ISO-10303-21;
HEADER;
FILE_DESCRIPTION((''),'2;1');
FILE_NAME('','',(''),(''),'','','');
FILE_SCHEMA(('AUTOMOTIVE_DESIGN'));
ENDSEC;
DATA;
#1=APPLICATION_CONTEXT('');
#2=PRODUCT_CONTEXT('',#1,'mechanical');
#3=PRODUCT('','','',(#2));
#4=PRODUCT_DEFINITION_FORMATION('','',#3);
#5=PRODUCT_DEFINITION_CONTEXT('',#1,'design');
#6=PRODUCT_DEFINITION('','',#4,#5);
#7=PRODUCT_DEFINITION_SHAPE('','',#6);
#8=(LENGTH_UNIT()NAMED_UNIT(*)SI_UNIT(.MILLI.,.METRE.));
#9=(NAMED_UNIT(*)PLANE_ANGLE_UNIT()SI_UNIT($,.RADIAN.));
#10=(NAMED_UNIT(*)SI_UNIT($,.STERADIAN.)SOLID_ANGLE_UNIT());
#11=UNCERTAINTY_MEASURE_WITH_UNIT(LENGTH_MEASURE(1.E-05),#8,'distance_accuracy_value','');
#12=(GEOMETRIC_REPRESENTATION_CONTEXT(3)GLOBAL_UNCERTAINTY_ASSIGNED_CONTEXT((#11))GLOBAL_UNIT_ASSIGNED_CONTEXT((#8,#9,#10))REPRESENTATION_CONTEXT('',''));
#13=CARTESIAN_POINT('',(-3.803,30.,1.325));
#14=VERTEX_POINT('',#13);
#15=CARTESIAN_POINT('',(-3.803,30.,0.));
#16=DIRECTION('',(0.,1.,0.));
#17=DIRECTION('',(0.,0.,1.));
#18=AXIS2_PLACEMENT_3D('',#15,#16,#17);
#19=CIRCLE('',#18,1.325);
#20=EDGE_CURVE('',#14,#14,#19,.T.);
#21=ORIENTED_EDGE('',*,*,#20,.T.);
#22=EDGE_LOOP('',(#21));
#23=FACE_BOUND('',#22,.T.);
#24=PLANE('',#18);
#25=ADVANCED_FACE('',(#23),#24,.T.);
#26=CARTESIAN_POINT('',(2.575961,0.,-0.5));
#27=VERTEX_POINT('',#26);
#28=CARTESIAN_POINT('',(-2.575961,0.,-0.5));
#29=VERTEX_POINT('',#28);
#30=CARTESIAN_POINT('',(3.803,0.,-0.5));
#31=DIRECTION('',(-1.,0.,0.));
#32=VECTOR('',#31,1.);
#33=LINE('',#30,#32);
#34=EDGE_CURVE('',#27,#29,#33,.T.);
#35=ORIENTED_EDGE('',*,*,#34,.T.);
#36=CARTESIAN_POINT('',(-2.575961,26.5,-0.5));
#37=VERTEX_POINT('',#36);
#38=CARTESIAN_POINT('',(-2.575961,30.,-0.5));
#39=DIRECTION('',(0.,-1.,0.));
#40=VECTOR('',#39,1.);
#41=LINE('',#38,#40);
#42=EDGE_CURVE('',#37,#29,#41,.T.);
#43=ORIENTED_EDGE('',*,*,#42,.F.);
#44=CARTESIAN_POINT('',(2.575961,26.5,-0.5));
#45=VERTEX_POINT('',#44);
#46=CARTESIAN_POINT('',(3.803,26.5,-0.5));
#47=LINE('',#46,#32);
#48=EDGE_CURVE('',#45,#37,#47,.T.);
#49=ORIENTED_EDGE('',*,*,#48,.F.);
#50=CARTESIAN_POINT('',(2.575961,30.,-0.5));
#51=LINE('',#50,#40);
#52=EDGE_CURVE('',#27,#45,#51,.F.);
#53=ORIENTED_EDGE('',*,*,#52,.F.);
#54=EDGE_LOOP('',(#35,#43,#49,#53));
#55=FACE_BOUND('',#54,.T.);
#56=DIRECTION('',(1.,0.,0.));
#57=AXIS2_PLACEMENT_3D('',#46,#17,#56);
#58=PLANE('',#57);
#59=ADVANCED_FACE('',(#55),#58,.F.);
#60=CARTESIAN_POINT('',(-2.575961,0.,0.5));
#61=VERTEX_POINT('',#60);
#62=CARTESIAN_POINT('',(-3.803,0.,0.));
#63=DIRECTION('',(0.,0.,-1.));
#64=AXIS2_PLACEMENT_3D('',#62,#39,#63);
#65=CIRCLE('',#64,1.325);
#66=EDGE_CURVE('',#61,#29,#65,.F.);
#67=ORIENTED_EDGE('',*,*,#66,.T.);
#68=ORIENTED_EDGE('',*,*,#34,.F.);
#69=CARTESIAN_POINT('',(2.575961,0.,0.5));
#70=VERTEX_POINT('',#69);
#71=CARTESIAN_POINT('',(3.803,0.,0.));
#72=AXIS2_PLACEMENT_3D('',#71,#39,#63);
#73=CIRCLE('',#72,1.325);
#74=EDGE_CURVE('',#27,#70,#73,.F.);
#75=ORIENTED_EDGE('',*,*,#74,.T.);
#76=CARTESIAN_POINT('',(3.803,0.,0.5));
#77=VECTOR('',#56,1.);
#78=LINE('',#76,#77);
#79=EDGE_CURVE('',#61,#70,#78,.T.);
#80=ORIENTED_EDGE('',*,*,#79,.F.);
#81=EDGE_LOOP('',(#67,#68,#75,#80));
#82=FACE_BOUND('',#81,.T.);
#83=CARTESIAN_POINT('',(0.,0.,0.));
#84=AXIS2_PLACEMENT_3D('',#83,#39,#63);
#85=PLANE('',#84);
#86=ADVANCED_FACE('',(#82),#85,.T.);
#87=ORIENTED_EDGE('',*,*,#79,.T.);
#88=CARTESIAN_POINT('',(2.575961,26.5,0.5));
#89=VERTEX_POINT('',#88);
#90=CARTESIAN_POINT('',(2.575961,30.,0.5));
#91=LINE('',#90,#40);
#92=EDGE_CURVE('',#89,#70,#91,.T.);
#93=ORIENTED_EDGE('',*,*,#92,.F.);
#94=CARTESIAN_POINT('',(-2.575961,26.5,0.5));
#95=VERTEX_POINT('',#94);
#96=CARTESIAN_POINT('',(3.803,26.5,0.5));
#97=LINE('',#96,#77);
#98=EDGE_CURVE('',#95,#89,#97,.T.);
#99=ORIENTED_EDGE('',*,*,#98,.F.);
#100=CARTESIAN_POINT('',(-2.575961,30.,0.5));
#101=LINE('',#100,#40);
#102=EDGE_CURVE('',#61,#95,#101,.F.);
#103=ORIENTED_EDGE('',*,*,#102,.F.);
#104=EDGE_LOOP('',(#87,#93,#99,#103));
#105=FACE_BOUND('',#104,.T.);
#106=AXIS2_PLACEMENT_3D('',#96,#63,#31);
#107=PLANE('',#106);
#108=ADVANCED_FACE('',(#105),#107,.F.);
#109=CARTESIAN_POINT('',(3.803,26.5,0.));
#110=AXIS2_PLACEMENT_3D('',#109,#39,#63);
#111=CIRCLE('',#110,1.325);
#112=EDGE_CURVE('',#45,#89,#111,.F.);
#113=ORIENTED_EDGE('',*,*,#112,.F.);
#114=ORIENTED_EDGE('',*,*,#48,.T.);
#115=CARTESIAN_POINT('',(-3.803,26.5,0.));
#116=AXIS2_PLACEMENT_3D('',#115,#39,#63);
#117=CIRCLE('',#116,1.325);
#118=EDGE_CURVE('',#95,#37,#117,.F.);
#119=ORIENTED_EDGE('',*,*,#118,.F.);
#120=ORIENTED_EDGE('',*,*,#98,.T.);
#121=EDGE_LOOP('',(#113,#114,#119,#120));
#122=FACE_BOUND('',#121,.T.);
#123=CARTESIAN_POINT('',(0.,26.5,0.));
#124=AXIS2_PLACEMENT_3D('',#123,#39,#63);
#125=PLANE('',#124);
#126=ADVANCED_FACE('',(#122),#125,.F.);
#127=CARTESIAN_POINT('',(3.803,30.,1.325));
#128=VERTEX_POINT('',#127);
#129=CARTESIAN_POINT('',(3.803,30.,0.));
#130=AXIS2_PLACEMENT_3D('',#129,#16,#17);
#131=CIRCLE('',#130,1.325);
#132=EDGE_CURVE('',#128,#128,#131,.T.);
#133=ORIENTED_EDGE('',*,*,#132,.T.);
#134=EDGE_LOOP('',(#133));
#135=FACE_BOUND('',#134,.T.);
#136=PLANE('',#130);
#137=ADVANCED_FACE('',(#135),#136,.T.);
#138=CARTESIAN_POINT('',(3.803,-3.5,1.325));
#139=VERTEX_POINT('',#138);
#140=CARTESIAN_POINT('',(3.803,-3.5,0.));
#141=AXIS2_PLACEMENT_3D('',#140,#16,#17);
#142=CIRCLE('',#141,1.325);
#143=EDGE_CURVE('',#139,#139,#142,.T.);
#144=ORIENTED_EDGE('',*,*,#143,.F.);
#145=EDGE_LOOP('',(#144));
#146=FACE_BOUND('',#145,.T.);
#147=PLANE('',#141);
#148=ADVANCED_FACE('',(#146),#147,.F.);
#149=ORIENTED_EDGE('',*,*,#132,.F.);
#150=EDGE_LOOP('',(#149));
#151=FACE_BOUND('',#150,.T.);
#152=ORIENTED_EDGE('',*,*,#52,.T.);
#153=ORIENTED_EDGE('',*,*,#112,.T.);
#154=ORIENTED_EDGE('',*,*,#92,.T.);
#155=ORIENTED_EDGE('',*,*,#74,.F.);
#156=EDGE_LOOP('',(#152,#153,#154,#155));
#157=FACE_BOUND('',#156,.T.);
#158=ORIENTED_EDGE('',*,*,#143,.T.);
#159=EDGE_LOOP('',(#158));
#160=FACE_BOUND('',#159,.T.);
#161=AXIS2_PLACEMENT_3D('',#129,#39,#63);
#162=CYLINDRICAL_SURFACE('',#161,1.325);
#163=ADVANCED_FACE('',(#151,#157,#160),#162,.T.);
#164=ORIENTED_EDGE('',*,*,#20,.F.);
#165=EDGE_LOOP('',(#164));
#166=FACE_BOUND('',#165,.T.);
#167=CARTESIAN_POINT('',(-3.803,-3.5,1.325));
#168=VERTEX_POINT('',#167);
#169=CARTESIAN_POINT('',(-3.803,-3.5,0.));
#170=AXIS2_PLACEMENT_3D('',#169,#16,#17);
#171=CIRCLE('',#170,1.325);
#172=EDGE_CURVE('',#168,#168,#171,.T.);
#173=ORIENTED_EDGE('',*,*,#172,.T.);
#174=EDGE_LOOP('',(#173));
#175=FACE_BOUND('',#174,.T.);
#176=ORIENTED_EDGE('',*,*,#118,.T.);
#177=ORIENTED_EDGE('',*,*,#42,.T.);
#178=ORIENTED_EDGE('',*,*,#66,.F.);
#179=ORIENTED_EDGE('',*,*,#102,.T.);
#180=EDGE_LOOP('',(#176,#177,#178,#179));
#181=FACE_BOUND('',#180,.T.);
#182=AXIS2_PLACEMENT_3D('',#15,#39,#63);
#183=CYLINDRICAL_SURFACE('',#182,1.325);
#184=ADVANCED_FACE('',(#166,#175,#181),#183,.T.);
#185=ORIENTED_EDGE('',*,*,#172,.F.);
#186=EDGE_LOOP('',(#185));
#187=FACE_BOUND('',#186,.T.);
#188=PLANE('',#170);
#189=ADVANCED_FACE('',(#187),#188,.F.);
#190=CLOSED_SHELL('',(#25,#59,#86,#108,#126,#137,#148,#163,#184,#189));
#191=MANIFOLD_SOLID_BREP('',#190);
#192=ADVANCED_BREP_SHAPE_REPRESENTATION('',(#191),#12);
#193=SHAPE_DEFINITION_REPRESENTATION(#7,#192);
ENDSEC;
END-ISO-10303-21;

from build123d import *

# Parameters (mm, degrees)
SKETCH1_W           = 7.606
SKETCH1_H           = 1
BOSS_EXTRUDE1_DEPTH = 26.5
SKETCH2_R           = 1.325
BOSS_EXTRUDE2_DEPTH = 16.75


with BuildPart() as part:
    # Sketch1 → Boss-Extrude1 (new body)
    with BuildSketch(Plane(origin=(0, 0, 0), x_dir=(1, 0, 0), z_dir=(0, 1, 0))):
        Rectangle(SKETCH1_W, SKETCH1_H)
    extrude(amount=BOSS_EXTRUDE1_DEPTH)

    # Sketch2 → Boss-Extrude2 (add, symmetric)
    with BuildSketch(Plane(origin=(0, 13.25, 0), x_dir=(1, 0, 0), z_dir=(0, 1, 0))):
        with Locations(Location((-3.803, 0, 0), (0, 0, 270))):
            Circle(SKETCH2_R)
        with Locations(Location((3.803, 0, 0), (0, 0, 270))):
            Circle(SKETCH2_R)
    extrude(amount=BOSS_EXTRUDE2_DEPTH, both=True)


solid = part.part
